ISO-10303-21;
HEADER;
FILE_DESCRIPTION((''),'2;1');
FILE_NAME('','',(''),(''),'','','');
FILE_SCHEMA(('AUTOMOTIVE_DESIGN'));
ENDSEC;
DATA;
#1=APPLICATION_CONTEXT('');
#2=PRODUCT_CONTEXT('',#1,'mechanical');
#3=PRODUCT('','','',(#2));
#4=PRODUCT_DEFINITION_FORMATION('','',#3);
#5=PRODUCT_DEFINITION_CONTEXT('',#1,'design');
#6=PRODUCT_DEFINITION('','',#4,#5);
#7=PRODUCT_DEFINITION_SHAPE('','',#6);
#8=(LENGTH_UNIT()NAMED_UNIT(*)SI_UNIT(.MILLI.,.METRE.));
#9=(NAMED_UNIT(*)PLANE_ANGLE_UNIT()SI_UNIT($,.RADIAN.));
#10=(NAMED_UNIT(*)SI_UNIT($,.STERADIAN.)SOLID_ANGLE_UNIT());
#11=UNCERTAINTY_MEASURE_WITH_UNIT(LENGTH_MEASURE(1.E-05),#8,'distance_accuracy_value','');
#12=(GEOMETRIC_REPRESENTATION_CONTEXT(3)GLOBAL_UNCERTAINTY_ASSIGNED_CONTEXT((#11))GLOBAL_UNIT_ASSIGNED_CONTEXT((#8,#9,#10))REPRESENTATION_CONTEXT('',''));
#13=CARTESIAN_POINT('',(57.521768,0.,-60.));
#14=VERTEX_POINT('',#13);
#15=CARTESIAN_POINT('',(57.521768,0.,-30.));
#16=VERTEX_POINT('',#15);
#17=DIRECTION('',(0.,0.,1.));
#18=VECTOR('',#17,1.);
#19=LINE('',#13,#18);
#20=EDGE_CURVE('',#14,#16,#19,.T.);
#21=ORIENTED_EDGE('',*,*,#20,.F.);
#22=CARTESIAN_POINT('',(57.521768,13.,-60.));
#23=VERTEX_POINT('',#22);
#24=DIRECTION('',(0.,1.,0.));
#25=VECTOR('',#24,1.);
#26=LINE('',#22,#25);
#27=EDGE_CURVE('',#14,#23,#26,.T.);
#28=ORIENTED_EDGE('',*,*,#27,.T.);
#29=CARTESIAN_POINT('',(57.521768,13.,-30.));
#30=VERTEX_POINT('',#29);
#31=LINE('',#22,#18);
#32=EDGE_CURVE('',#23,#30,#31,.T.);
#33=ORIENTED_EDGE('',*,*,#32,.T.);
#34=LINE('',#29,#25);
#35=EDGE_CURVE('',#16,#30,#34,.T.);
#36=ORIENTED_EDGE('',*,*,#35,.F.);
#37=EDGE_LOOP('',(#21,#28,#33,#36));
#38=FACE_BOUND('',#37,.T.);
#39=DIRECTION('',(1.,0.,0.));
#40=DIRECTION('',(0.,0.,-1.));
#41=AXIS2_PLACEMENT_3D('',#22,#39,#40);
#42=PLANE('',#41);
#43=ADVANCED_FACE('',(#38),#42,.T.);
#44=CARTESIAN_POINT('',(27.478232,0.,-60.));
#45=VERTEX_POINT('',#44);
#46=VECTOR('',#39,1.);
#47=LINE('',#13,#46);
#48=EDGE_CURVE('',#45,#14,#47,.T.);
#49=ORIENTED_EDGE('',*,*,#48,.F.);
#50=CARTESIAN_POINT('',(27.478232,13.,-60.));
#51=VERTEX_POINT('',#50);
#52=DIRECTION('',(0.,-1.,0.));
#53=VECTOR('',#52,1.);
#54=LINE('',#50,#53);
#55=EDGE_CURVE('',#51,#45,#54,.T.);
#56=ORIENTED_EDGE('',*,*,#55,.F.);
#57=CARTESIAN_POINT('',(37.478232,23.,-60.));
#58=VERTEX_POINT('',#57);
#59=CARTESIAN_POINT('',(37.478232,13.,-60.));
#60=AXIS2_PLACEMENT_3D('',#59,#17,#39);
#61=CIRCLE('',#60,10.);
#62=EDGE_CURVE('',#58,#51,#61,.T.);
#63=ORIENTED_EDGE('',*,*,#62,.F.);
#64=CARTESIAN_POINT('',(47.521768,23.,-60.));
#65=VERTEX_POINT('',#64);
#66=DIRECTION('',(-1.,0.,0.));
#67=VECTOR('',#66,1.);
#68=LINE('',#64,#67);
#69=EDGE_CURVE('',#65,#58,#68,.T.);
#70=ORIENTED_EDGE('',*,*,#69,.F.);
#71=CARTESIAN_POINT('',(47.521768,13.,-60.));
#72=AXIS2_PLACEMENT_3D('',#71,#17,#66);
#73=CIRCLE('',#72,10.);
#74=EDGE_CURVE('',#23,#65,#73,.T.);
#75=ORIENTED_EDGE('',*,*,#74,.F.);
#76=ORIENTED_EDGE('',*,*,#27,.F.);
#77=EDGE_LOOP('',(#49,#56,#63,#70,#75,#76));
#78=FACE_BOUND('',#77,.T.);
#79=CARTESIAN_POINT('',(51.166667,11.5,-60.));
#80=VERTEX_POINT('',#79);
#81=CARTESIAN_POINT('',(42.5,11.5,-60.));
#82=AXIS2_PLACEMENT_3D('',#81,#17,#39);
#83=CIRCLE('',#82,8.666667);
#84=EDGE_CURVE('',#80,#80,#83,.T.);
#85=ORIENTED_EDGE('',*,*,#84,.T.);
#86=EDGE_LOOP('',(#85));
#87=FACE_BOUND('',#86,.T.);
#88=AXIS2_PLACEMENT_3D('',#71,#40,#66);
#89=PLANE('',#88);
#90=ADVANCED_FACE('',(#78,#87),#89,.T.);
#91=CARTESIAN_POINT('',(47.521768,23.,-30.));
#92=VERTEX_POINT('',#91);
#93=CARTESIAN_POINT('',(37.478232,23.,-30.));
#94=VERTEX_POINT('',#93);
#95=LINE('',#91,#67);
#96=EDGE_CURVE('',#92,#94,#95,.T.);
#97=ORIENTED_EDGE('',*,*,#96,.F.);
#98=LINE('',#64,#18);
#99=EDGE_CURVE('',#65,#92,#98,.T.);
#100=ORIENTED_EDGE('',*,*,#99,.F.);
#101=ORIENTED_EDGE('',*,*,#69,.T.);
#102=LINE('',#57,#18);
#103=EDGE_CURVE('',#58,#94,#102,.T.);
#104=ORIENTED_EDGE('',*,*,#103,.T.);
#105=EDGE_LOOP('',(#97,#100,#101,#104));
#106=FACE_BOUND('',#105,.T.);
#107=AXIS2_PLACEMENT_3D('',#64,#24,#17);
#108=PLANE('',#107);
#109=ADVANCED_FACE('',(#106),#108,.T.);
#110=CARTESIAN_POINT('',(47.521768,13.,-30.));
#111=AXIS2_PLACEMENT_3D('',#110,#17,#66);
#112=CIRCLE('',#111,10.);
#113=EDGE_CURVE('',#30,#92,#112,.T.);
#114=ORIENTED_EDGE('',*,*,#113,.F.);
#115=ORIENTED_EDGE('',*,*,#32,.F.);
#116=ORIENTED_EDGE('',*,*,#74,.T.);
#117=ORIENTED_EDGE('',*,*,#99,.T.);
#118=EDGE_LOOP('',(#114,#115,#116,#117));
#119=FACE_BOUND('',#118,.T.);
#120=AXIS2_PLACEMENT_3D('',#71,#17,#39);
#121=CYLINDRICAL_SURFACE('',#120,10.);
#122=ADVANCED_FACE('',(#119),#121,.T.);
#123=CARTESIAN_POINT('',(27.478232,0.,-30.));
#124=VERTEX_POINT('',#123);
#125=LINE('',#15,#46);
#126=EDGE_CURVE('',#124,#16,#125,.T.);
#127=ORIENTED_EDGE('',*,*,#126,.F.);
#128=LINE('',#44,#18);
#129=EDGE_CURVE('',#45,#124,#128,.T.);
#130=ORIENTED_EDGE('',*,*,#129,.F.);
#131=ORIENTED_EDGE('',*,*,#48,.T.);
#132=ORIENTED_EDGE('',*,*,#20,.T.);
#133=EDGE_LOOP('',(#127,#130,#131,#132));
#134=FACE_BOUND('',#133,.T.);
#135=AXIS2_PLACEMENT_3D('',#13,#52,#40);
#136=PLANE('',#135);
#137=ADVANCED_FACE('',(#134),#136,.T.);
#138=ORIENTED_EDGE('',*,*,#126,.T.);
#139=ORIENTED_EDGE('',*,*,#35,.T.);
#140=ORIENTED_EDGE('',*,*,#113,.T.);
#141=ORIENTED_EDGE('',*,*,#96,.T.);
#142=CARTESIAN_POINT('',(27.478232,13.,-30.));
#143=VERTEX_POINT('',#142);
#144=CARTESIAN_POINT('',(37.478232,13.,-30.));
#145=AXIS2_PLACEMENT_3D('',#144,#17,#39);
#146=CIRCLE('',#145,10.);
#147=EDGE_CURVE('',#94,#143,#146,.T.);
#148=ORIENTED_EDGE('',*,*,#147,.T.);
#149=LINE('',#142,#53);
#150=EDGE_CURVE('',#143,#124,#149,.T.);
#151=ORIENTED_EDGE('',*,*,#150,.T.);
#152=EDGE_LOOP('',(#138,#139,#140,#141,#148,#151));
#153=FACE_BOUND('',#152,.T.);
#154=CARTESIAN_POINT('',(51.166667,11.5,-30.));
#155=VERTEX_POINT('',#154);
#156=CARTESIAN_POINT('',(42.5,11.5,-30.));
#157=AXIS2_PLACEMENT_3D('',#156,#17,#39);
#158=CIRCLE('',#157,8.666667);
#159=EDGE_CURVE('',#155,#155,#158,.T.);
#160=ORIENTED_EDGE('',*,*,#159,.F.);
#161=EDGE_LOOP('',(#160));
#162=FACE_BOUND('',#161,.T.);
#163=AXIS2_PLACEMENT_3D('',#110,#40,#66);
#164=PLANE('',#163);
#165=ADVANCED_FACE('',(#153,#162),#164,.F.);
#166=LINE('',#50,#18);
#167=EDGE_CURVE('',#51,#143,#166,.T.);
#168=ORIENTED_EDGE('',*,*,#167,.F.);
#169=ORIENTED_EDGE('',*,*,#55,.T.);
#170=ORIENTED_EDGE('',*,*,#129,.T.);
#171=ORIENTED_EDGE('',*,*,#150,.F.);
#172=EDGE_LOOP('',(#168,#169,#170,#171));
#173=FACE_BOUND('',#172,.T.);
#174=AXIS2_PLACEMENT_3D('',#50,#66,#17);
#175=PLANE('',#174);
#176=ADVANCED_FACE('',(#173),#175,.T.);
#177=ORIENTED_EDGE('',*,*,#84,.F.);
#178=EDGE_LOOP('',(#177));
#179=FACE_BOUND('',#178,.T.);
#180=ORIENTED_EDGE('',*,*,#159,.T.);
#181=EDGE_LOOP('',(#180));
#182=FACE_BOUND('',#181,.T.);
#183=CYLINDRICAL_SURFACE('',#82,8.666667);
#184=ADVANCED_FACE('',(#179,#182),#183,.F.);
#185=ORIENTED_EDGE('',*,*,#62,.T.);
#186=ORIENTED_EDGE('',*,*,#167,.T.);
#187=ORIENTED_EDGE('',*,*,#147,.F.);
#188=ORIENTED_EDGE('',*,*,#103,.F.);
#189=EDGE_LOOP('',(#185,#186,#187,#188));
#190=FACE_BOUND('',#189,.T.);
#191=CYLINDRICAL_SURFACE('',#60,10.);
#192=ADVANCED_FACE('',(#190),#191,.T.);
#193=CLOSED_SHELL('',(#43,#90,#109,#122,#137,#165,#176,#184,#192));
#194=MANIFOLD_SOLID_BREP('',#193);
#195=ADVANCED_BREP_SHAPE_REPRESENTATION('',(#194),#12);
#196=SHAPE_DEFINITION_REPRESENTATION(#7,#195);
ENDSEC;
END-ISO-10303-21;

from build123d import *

# Parameters (mm, degrees)
EXTRUDE_START   = -30
SKETCH_1_R      = 8.666666667
EXTRUDE_1_DEPTH = 30


with BuildPart() as part:
    # 草图1 → 凸台-拉伸1 (new body)
    with BuildSketch(Plane.XY.offset(EXTRUDE_START)):
        with BuildLine():
            Line((47.521768078, 23), (37.478231922, 23))
            ThreePointArc((37.478231922, 23), (30.40716411, 20.071067812), (27.478231922, 13))
            Line((27.478231922, 13), (27.478231922, 0))
            Line((27.478231922, 0), (57.521768078, 0))
            Line((57.521768078, 0), (57.521768078, 13))
            ThreePointArc((57.521768078, 13), (54.59283589, 20.071067812), (47.521768078, 23))
        make_face()
        with Locations((42.5, 11.5)):
            Circle(SKETCH_1_R, mode=Mode.SUBTRACT)
    extrude(amount=-EXTRUDE_1_DEPTH)


solid = part.part
